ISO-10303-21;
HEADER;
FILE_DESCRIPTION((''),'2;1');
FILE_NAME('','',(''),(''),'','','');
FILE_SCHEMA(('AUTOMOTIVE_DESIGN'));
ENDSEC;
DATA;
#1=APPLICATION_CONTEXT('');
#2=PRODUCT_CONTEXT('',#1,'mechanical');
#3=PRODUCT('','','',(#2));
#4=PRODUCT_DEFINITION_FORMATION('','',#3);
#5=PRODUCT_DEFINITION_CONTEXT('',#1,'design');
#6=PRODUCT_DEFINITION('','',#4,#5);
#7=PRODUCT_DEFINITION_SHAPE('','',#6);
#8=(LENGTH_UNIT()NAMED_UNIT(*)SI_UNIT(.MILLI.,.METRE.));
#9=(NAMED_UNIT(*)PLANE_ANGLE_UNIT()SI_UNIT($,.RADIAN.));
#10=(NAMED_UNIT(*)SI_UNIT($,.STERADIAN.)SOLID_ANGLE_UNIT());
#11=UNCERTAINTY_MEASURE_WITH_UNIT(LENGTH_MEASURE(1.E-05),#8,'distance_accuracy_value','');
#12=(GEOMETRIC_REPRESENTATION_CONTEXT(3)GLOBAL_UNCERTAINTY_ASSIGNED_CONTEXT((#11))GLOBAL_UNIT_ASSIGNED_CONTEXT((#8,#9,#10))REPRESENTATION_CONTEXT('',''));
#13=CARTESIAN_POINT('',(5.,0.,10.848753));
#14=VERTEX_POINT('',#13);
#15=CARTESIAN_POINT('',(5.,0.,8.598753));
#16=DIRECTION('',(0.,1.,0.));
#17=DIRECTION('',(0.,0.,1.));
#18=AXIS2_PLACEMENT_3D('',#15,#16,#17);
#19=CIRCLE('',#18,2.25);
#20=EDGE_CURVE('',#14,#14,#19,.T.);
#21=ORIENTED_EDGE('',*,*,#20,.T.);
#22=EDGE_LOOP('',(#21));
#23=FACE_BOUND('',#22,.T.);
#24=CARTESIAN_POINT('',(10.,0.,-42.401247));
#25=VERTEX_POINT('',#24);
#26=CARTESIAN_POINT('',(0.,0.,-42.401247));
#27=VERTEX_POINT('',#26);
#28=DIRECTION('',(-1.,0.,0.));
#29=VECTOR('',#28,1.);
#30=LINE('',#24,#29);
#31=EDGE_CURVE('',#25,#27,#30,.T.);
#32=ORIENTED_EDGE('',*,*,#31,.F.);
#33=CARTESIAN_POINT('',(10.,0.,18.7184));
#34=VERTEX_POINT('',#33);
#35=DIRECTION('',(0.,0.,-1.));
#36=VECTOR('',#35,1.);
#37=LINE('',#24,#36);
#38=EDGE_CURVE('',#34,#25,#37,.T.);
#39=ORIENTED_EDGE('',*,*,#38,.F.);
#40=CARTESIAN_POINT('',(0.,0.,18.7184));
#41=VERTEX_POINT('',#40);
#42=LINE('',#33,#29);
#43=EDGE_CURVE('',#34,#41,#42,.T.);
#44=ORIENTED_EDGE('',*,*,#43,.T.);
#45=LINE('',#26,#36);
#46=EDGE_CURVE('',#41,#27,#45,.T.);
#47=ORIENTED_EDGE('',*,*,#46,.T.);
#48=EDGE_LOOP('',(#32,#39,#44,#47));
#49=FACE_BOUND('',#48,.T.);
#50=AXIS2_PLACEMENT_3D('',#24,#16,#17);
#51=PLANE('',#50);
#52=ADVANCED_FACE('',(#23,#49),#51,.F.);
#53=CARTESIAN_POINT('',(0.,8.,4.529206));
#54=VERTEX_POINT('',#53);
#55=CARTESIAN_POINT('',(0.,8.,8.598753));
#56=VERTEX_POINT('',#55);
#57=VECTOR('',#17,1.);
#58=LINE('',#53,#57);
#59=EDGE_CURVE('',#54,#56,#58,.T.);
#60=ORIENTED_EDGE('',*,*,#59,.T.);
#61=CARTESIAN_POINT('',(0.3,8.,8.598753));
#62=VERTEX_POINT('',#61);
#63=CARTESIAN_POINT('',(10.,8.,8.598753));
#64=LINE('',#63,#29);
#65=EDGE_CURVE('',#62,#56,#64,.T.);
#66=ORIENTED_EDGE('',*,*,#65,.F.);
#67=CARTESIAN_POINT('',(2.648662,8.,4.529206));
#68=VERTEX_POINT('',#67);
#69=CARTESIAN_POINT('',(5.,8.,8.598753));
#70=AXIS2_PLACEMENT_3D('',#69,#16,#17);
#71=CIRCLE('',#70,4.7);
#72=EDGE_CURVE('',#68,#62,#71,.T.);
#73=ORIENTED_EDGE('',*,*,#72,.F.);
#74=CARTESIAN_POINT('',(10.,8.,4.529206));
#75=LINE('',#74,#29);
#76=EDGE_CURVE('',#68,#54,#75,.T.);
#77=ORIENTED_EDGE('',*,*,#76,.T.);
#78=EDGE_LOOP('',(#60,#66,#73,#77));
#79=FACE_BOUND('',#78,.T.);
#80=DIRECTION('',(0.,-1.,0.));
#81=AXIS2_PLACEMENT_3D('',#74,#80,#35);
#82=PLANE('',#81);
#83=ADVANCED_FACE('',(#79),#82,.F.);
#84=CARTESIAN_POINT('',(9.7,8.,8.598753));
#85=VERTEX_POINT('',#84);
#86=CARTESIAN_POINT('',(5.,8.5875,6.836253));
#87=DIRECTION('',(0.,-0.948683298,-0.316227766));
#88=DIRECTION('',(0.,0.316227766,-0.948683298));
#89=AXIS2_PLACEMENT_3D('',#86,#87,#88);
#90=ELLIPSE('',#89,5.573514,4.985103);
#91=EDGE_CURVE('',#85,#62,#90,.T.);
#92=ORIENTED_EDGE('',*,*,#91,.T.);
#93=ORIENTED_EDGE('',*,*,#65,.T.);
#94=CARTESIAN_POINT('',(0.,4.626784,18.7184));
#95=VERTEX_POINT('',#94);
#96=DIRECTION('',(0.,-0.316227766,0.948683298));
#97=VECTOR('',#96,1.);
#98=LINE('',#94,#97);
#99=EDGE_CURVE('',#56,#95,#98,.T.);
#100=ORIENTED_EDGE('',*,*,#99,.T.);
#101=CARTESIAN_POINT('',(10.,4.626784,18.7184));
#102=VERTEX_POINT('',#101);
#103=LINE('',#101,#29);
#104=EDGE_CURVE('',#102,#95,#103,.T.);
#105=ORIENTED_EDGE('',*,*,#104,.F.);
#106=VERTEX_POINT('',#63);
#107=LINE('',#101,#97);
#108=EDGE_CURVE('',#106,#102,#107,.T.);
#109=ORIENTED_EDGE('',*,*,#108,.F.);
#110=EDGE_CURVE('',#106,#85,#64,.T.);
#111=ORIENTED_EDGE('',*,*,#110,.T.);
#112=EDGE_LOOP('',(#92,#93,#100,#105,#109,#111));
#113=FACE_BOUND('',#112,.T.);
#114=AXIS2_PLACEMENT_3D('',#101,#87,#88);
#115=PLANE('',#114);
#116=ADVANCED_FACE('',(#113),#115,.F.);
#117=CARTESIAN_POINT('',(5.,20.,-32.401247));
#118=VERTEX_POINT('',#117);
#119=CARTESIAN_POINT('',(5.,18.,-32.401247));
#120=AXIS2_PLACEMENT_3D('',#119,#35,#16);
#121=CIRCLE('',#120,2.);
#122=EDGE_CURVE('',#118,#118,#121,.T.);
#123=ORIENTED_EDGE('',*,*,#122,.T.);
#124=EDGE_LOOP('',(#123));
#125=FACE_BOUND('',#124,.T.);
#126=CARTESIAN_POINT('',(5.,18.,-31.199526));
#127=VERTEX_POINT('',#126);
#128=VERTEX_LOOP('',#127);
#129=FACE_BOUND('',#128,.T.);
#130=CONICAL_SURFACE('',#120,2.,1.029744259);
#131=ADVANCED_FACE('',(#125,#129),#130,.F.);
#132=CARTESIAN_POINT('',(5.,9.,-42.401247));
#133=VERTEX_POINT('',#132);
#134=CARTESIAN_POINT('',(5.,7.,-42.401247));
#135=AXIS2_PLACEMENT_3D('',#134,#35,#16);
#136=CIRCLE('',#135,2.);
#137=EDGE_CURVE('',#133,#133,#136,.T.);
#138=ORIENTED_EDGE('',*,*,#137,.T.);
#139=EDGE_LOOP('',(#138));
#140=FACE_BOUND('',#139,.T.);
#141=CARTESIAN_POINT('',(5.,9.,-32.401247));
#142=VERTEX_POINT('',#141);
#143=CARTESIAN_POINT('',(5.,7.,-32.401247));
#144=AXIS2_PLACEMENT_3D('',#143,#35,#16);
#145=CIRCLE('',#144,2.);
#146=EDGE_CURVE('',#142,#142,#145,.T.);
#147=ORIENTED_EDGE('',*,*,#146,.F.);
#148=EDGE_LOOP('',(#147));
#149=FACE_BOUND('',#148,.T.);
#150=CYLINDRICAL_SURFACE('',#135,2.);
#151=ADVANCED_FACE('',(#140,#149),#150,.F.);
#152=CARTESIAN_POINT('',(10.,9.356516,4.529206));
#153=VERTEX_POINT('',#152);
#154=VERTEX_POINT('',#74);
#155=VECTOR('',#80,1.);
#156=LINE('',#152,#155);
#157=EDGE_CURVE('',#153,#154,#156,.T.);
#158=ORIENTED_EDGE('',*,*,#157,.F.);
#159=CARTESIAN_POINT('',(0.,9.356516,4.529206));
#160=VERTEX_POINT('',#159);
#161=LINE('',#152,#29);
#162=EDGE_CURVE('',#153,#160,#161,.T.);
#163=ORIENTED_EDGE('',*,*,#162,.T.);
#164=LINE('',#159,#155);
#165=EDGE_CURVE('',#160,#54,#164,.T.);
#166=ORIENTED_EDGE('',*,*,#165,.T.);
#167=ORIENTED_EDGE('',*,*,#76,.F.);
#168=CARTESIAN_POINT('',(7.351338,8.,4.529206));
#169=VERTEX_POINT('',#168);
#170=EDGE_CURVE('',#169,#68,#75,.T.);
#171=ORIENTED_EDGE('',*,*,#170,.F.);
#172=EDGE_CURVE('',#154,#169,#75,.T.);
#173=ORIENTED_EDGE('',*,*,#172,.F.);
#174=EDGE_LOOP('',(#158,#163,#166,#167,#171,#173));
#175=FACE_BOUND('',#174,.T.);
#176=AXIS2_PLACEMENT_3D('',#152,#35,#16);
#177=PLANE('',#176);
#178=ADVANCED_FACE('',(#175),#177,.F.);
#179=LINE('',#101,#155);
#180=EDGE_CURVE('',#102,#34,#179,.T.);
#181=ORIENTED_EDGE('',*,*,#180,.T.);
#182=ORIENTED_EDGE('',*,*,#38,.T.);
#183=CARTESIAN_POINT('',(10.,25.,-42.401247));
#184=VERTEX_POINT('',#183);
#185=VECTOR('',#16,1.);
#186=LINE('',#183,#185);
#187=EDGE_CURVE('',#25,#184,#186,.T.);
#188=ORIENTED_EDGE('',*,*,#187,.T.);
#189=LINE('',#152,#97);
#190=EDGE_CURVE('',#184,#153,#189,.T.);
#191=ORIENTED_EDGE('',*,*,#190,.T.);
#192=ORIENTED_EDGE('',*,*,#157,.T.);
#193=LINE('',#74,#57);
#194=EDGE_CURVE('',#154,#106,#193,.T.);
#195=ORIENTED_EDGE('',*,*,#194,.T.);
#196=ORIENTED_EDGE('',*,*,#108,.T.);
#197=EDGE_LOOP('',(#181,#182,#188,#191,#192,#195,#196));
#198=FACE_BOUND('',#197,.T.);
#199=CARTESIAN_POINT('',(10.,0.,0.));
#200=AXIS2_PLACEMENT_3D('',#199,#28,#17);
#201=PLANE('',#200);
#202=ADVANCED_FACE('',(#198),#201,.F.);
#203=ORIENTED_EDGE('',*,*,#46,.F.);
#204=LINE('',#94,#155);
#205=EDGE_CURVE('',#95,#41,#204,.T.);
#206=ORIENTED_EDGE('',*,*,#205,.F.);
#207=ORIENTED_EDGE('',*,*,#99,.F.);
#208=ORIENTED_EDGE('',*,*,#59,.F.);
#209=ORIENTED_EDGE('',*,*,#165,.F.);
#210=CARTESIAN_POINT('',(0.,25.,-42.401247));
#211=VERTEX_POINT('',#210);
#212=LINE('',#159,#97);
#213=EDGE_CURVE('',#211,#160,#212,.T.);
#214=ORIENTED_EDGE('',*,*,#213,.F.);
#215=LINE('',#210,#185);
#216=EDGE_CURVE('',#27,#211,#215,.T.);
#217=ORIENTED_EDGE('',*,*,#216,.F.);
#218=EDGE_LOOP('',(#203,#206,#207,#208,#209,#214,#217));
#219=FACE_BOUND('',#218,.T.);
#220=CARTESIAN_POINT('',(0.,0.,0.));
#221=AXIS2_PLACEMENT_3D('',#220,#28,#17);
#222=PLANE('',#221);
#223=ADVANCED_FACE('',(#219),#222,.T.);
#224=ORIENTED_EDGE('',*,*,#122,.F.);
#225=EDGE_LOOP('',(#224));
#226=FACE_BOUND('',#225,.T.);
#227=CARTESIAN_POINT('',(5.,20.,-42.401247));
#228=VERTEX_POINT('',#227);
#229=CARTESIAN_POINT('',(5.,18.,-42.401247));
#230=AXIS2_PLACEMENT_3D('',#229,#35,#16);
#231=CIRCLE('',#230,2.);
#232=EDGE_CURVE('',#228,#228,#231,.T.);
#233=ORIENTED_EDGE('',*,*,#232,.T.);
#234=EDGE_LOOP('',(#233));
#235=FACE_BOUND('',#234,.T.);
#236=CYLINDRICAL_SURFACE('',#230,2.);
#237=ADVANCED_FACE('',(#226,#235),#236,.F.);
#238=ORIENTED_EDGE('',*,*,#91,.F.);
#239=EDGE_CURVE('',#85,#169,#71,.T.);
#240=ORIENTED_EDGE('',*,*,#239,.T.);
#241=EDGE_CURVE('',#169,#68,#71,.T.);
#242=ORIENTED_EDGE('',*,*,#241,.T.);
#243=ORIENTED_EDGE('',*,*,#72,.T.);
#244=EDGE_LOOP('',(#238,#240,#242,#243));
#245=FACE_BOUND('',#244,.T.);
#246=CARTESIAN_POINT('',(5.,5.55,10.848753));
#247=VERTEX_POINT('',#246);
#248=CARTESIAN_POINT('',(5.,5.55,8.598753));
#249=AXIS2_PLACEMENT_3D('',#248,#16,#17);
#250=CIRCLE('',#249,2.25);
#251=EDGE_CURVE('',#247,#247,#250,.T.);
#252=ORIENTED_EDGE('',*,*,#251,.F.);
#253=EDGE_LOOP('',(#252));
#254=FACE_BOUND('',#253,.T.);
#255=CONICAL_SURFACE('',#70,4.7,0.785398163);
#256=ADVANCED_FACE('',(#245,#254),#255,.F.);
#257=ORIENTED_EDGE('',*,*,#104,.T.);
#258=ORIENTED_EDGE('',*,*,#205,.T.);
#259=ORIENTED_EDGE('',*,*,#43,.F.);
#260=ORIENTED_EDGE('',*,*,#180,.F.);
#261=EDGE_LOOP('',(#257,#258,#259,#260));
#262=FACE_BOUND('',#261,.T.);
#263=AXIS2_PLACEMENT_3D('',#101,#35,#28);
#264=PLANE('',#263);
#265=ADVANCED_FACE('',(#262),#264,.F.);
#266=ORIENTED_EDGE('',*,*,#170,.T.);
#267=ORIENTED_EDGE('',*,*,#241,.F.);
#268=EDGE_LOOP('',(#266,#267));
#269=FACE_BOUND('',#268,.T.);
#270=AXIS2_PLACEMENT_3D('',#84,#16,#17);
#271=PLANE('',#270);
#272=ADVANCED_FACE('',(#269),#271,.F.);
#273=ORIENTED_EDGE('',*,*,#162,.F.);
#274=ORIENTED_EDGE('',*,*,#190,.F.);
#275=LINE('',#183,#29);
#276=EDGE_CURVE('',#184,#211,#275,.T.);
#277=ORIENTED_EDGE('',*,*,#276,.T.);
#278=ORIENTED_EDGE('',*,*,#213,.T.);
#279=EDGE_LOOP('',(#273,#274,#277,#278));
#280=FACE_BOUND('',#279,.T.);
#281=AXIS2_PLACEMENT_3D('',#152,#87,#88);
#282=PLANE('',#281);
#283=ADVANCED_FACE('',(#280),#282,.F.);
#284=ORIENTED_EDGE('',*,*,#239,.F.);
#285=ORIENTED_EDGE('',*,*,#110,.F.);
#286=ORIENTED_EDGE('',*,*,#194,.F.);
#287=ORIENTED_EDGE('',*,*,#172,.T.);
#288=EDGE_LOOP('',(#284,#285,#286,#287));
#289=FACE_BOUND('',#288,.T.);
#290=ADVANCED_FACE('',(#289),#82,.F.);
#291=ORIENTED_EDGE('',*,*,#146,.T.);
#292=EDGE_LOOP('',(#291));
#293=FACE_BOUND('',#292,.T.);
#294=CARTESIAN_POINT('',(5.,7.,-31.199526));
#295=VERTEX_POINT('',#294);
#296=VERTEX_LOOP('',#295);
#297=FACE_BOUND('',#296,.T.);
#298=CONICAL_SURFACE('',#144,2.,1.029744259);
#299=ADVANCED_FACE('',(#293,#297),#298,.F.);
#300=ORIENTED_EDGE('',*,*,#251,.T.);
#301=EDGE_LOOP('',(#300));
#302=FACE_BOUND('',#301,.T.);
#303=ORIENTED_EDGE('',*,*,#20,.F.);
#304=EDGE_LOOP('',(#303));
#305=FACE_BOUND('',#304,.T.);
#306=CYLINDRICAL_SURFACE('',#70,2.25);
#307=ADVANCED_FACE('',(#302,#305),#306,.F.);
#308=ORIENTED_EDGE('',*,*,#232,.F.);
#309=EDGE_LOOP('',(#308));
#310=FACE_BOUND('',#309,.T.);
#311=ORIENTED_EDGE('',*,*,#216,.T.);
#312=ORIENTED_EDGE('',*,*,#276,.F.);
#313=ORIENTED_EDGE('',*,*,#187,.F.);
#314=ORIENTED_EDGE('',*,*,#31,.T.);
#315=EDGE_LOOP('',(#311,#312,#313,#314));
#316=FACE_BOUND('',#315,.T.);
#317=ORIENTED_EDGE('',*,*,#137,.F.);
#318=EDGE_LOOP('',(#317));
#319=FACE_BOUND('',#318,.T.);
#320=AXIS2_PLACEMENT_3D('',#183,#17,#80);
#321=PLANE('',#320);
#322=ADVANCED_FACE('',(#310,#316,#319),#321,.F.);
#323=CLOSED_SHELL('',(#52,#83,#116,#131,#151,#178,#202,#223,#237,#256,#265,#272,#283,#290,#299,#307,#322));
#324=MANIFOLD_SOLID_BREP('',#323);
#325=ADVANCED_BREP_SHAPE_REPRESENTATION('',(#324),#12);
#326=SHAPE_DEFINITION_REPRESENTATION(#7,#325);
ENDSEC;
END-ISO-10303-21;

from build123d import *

# Parameters (mm, degrees)
BOSS_EXTRUDE1_DEPTH       = 10
F_4_0MM_DOWEL_HOLE1_D     = 4
F_4_0MM_DOWEL_HOLE1_DEPTH = 10
F_4_0MM_DOWEL_HOLE1_TIP   = 1.201721238


with BuildPart() as part:
    # Sketch1 → Boss-Extrude1 (new body)
    with BuildSketch(Plane(origin=(0, 0, 0), x_dir=(0, 0, -1), z_dir=(1, 0, 0))):
        Polygon((-18.718400177, 4.62678414), (-8.598752597, 8), (-4.529205873, 8), (-4.529205873, 9.356515575), (42.401247403, 25), (42.401247403, 0), (-18.718400177, 0), align=None)
    extrude(amount=BOSS_EXTRUDE1_DEPTH)

    # Sketch9 → CSK for M4 Flat Head Machine Screw2 (revolve, cut)
    with BuildSketch(Plane(origin=(5, 8, 8.598752597), x_dir=(0, 0, 1), z_dir=(1, 0, 0))):
        Polygon((0, 0), (0, 11.351936393), (2.25, 10), (2.25, 2.45), (4.7, 0), align=None)
    revolve(axis=Axis((5, 14.35, 8.598752597), (0, -1, 0)), mode=Mode.SUBTRACT)

    # Ø4.0mm Dowel Hole1
    with Locations(Plane(origin=(5, 18, -42.401247403), x_dir=(0, -1, 0), z_dir=(0, 0, -1))):
        with Locations((0, 0), (11, 0)):
            Hole(F_4_0MM_DOWEL_HOLE1_D / 2, depth=F_4_0MM_DOWEL_HOLE1_DEPTH)
            with Locations((0, 0, -(F_4_0MM_DOWEL_HOLE1_DEPTH + F_4_0MM_DOWEL_HOLE1_TIP / 2))):  # 118° drill point
                Cone(0, F_4_0MM_DOWEL_HOLE1_D / 2, F_4_0MM_DOWEL_HOLE1_TIP, mode=Mode.SUBTRACT)


solid = part.part
